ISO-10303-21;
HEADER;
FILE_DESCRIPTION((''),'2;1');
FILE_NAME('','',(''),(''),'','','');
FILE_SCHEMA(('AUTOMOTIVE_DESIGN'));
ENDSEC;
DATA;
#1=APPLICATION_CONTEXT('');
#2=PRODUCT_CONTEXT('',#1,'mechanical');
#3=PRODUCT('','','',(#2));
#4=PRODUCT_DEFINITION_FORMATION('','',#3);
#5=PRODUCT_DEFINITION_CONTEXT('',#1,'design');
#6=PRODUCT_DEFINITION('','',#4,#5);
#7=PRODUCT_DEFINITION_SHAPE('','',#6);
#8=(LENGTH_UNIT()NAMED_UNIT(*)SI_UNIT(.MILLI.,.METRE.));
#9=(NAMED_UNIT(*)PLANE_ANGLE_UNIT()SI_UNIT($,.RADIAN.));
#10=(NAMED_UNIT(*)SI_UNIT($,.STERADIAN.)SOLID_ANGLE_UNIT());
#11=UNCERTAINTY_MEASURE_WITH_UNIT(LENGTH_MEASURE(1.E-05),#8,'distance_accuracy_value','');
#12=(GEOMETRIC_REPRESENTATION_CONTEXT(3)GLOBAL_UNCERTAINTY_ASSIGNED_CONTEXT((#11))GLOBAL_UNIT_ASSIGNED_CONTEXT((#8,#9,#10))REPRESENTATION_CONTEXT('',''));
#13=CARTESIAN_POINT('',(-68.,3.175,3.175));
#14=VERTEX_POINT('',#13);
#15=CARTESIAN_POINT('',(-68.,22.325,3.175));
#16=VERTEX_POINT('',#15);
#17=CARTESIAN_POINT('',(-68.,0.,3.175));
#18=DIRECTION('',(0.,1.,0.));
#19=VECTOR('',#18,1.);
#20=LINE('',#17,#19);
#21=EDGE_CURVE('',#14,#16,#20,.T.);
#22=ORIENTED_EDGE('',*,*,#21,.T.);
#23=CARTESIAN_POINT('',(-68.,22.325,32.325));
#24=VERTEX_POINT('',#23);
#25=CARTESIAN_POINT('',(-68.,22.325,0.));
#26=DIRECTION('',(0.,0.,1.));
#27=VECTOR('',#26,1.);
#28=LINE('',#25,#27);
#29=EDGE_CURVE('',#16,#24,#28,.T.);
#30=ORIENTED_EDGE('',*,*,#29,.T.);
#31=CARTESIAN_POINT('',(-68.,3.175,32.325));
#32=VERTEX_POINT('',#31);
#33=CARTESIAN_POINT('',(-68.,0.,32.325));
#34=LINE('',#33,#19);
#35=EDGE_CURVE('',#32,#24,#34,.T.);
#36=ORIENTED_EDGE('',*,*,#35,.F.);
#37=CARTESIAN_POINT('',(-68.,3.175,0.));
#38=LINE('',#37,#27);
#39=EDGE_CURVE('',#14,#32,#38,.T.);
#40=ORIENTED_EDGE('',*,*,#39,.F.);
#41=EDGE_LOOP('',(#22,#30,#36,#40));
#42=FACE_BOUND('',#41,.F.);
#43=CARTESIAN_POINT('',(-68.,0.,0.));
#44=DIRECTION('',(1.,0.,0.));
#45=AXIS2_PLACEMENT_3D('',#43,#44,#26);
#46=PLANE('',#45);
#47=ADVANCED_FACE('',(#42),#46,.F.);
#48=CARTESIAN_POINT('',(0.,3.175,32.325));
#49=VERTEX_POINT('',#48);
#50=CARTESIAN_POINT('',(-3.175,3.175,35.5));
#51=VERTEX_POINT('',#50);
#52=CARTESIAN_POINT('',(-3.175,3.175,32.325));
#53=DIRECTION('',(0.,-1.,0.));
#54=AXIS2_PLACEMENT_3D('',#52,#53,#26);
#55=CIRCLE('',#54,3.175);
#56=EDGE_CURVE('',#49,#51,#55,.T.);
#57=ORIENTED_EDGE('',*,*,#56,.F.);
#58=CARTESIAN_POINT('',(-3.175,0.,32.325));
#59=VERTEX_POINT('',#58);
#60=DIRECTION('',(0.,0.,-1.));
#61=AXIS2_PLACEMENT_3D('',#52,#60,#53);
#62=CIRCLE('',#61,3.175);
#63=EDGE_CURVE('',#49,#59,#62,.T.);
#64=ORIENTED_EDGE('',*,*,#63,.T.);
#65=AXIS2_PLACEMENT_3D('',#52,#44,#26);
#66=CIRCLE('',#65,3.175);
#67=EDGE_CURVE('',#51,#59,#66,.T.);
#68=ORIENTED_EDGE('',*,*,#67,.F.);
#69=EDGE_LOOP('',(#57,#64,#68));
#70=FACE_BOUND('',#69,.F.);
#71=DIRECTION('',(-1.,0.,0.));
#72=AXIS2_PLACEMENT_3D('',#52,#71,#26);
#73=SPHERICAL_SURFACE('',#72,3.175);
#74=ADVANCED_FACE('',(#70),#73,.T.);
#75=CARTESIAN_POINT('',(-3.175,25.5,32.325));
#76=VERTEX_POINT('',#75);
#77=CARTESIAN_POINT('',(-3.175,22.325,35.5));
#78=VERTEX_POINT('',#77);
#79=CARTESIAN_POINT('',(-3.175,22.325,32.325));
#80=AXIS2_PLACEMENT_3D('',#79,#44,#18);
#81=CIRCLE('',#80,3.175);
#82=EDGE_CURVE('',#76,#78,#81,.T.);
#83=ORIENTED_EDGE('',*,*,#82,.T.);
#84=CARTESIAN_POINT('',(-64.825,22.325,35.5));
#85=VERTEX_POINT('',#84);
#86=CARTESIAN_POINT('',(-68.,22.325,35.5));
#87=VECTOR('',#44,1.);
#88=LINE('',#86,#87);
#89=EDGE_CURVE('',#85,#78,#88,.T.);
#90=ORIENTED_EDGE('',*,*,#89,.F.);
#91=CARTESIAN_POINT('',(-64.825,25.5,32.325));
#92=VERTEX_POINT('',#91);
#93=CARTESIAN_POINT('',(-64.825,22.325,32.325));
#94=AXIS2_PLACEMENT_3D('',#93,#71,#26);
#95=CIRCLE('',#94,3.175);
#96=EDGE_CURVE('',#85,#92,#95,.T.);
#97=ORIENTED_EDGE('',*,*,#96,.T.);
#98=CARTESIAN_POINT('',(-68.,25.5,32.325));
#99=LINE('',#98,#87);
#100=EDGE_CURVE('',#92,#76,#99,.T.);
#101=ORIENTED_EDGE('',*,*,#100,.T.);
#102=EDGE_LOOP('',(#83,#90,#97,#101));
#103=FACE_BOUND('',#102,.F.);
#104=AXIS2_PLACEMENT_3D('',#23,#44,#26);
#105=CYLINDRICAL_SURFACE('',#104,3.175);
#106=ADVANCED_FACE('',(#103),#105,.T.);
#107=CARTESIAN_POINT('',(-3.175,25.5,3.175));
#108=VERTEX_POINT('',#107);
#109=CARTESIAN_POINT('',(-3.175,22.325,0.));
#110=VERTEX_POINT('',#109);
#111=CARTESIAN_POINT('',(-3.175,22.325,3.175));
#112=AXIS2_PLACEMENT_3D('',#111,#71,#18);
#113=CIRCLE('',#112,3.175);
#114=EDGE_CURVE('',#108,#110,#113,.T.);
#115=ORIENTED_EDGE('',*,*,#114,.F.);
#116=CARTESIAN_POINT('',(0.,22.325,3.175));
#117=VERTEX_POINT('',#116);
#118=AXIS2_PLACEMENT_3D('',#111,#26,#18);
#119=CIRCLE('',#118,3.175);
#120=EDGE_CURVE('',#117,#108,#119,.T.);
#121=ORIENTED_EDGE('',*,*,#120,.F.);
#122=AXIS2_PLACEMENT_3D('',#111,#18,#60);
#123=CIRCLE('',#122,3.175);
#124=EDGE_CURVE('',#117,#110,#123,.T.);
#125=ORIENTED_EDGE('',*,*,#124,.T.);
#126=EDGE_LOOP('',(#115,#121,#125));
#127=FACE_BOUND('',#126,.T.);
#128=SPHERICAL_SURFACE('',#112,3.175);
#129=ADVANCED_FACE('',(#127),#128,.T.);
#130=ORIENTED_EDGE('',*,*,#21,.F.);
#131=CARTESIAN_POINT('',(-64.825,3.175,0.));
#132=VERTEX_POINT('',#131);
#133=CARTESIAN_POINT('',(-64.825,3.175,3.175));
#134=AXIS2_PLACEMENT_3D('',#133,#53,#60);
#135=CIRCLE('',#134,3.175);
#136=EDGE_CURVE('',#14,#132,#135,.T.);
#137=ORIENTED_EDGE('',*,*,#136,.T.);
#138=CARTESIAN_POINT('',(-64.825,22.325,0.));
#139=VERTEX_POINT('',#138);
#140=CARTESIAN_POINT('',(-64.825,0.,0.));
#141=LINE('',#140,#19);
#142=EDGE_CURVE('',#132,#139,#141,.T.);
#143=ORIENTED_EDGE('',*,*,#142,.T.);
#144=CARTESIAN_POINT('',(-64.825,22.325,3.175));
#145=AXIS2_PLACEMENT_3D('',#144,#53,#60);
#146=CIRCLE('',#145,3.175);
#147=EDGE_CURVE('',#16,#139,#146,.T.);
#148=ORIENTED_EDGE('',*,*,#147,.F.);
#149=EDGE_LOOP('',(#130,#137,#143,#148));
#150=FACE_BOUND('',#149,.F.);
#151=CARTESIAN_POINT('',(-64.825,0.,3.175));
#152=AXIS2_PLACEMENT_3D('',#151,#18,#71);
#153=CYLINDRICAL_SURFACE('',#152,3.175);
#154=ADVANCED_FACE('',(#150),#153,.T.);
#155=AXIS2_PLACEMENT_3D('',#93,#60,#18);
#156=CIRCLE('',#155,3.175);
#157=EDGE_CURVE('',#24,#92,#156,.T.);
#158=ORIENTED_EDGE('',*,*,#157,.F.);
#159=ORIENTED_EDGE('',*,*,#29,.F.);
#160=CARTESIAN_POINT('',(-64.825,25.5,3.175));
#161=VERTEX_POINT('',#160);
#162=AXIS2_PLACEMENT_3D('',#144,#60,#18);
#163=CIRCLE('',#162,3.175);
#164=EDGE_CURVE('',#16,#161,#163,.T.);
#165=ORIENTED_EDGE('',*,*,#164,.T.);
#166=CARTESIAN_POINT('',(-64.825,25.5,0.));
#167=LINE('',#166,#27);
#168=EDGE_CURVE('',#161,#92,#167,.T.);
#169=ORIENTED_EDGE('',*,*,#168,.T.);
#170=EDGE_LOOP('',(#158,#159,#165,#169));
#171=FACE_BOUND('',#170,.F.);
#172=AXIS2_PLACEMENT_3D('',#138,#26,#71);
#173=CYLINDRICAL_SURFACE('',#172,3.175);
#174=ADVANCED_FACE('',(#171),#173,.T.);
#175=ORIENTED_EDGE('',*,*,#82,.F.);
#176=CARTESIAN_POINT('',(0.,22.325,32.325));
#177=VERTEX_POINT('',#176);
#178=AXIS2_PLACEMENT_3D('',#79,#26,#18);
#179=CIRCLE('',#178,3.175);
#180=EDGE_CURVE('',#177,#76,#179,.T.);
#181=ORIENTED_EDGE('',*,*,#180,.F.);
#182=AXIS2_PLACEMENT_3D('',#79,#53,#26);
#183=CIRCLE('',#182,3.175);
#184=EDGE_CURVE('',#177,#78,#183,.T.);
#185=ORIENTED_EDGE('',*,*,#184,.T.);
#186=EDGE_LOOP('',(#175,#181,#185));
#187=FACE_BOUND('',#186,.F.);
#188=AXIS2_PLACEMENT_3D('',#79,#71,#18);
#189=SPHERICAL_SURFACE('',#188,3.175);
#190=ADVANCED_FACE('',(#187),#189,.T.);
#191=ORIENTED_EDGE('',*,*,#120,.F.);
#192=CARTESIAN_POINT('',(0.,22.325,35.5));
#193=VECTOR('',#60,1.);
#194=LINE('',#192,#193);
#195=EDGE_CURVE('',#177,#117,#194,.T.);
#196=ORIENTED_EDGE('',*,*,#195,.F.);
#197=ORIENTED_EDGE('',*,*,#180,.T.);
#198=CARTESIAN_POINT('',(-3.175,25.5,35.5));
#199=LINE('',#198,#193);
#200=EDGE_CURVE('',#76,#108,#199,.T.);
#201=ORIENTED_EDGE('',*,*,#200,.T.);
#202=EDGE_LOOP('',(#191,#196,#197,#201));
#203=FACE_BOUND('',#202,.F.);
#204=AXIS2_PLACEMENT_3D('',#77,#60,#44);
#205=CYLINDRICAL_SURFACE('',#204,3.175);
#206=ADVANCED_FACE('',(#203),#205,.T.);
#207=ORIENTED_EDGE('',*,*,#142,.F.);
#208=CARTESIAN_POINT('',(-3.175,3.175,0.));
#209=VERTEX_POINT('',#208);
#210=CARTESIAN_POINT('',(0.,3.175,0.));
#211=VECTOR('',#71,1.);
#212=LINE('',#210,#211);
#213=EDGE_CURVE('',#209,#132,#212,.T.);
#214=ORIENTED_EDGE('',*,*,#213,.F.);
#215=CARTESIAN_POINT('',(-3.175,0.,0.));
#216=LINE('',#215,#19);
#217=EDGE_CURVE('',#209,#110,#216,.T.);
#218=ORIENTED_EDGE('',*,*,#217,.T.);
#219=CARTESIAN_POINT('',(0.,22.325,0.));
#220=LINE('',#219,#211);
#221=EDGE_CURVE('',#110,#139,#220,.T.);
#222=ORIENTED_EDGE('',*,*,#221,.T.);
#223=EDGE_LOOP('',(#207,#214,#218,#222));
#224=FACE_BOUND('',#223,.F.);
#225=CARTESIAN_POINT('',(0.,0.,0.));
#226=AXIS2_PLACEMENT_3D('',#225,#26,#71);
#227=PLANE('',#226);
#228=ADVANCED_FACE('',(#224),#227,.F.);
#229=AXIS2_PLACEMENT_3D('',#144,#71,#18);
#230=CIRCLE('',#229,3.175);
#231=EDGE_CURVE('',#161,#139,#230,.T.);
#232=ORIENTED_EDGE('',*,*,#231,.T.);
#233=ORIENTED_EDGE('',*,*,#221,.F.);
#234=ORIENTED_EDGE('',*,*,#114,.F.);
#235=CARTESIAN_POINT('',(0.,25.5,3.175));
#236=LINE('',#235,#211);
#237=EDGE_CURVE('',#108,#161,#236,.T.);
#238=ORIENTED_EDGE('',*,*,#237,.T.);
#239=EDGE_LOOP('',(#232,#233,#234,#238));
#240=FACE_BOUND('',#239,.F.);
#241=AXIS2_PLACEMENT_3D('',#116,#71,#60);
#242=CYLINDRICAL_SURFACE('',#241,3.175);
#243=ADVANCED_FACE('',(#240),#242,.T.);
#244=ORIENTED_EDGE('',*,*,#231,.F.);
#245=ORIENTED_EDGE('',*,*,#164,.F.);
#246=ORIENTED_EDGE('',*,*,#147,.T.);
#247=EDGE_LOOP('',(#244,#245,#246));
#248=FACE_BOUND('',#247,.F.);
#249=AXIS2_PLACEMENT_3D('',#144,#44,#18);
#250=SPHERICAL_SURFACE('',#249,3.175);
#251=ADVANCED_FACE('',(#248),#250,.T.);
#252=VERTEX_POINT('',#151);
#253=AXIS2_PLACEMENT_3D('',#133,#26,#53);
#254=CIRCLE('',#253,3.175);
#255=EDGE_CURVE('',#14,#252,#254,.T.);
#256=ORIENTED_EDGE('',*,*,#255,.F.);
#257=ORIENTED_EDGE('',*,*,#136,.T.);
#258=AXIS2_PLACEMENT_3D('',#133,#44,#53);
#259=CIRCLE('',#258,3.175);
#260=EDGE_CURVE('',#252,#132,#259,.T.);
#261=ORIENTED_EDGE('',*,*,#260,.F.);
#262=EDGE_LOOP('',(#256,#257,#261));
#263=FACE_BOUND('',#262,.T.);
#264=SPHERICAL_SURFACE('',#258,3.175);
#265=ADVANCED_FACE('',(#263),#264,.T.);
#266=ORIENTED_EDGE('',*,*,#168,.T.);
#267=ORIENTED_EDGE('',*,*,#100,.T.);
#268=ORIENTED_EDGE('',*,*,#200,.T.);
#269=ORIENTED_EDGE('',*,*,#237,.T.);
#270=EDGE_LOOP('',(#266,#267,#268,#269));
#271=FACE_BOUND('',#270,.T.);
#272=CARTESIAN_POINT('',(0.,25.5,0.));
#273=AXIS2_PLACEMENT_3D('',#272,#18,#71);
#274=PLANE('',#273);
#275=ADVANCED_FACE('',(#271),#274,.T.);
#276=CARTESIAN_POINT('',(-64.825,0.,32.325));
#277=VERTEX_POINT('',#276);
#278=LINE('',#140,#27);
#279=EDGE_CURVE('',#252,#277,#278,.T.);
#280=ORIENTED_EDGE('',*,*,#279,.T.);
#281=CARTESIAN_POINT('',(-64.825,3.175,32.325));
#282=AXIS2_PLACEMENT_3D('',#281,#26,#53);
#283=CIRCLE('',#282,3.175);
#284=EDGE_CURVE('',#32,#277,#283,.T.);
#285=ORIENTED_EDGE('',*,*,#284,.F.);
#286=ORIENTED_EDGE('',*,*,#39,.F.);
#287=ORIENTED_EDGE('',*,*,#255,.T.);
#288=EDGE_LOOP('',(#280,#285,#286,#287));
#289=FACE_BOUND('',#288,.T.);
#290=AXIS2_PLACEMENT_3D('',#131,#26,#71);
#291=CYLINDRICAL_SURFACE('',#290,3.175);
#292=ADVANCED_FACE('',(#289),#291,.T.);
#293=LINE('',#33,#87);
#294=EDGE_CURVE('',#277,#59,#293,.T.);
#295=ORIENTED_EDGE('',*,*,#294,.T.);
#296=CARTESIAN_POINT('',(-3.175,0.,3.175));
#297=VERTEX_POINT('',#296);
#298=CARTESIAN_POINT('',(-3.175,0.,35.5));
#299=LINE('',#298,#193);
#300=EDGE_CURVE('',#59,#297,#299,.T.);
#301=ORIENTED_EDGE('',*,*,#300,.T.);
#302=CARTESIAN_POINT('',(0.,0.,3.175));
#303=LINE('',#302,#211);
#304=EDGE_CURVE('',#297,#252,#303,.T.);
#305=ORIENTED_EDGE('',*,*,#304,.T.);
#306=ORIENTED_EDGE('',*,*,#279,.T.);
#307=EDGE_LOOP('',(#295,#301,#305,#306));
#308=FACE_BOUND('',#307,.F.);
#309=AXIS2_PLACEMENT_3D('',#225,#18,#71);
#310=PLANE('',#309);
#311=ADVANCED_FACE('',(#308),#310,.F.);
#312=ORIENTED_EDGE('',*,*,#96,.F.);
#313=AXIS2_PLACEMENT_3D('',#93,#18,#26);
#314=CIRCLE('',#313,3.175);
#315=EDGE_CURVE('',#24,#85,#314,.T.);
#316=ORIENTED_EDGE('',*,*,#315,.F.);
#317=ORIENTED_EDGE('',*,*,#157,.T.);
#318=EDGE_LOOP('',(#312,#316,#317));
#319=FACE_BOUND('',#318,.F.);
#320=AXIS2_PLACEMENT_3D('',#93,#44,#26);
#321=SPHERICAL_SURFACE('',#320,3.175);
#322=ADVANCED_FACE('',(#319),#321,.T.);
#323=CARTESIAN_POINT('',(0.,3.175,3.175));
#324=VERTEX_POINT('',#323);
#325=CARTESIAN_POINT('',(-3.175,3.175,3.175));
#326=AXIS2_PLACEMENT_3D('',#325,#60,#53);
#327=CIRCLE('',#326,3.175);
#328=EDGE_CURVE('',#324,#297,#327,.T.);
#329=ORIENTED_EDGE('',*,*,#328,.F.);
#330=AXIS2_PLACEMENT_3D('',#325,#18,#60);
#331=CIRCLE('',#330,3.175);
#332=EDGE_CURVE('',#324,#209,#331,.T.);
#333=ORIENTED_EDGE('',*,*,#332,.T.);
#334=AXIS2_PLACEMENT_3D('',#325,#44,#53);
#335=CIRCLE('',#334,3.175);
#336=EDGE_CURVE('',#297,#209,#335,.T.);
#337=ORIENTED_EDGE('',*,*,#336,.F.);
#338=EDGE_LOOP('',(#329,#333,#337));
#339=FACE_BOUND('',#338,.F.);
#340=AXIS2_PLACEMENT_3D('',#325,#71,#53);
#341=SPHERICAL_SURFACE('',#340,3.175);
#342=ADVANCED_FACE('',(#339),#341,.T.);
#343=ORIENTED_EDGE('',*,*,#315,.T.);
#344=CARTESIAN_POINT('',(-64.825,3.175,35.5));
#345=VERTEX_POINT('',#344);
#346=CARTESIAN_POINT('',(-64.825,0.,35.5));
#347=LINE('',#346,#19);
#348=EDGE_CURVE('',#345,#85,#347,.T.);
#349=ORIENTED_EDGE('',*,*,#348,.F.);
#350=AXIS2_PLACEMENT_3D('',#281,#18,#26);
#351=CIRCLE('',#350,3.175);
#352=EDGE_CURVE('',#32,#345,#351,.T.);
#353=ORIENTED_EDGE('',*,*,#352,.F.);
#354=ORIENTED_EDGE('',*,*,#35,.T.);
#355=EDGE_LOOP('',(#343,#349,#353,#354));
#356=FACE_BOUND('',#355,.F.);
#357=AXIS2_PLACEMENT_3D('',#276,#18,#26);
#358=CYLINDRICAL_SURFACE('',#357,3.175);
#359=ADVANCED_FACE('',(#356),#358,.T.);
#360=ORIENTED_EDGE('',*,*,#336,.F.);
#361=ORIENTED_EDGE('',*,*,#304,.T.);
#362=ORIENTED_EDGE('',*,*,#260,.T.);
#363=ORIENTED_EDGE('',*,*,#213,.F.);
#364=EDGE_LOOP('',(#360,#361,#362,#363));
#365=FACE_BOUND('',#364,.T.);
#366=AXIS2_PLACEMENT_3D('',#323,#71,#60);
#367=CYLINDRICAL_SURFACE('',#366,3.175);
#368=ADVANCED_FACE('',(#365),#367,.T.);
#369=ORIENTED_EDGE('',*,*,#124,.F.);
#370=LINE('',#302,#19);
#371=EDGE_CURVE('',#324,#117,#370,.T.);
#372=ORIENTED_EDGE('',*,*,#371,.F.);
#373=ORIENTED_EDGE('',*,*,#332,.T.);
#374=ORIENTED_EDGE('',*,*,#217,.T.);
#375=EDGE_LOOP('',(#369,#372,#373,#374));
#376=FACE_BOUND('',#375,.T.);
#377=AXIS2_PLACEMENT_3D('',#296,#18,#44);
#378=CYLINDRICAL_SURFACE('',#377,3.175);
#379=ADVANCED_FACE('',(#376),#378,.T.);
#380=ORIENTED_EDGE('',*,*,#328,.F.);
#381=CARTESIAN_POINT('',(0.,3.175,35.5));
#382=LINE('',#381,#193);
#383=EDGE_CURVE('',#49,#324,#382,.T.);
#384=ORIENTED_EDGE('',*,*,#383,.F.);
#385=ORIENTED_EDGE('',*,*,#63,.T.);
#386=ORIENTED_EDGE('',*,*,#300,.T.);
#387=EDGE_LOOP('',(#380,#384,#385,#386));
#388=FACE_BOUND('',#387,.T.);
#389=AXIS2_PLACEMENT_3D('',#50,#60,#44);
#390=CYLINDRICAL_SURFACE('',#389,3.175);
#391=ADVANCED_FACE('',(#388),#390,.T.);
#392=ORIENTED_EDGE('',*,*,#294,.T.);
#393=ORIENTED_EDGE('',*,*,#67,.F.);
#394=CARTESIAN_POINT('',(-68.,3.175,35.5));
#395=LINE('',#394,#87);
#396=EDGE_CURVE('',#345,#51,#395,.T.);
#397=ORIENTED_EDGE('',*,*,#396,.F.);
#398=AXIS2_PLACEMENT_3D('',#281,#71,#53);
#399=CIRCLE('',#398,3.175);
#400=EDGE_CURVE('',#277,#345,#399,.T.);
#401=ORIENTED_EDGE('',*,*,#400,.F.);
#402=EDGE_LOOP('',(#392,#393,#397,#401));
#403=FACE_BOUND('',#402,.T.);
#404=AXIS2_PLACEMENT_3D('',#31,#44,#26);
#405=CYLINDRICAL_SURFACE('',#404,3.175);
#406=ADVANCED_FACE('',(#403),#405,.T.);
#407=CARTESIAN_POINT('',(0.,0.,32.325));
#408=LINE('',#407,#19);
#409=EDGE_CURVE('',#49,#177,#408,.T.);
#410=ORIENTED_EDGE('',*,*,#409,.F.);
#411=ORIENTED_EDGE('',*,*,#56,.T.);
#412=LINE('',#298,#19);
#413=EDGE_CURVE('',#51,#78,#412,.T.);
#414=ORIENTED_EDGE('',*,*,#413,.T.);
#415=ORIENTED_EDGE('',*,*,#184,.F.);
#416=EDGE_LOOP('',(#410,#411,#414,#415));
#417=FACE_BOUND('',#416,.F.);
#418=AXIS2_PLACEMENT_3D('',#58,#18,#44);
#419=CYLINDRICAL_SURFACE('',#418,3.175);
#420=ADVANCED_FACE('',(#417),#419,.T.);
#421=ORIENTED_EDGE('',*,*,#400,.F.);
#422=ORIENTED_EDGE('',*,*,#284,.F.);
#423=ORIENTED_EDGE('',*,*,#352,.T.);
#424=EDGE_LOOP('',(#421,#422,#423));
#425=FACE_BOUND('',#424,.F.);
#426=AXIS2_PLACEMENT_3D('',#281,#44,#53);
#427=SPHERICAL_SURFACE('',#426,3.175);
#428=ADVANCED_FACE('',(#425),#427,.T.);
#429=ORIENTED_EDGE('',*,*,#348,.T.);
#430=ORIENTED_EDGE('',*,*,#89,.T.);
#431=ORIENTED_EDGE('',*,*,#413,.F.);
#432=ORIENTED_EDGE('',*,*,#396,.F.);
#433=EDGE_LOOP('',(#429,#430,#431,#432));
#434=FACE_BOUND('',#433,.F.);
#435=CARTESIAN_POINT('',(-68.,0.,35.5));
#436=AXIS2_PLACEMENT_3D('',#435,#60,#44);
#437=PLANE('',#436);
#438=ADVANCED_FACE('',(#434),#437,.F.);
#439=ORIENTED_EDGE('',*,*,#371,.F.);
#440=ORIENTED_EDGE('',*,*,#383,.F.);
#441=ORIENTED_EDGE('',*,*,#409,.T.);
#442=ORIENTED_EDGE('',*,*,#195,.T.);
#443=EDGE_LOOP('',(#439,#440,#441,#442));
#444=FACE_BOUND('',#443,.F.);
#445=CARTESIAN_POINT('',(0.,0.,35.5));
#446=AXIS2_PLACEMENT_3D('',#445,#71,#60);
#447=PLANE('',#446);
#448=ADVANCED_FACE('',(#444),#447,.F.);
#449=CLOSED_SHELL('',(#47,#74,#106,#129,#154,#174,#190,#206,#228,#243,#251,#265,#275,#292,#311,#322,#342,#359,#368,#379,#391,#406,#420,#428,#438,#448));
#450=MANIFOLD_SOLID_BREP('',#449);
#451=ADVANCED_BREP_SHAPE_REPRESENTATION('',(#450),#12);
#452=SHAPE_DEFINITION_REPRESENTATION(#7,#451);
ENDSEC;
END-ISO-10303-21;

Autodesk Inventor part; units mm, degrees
ref_plane "YZ Plane" through (0, 0, 0) normal (1, 0, 0) x (0, 1, 0)
ref_plane "XZ Plane" through (0, 0, 0) normal (0, 1, 0) x (-1, 0, 0)
ref_plane "XY Plane" through (0, 0, 0) normal (0, 0, 1) x (1, 0, 0)
sketch "Sketch1" plane through (0, 0, 0) normal (0, 1, 0) x (-1, 0, 0)
  line L0 (0, 0) -> (68, 0)
  line L1 (68, 0) -> (68, 35.5)
  line L2 (68, 35.5) -> (0, 35.5)
  line L3 (0, 35.5) -> (0, 0)
  dimension "LiPo_Width" = 35.5
  dimension "LiPo_Length" = 68
extrude "Extrusion1" add sketch "Sketch1" along normal blind 25.5
fillet "Fillet1" radius 3.175 12 edges at (-34, 25.5, 35.5) (-34, 25.5, 0) (-34, 0, 0) (-34, 0, 35.5) (0, 25.5, 17.75) (0, 12.75, 35.5) (0, 0, 17.75) (0, 12.75, 0) (-68, 0, 17.75) (-68, 12.75, 35.5) (-68, 25.5, 17.75) (-68, 12.75, 0)
properties part number "LiPo"
